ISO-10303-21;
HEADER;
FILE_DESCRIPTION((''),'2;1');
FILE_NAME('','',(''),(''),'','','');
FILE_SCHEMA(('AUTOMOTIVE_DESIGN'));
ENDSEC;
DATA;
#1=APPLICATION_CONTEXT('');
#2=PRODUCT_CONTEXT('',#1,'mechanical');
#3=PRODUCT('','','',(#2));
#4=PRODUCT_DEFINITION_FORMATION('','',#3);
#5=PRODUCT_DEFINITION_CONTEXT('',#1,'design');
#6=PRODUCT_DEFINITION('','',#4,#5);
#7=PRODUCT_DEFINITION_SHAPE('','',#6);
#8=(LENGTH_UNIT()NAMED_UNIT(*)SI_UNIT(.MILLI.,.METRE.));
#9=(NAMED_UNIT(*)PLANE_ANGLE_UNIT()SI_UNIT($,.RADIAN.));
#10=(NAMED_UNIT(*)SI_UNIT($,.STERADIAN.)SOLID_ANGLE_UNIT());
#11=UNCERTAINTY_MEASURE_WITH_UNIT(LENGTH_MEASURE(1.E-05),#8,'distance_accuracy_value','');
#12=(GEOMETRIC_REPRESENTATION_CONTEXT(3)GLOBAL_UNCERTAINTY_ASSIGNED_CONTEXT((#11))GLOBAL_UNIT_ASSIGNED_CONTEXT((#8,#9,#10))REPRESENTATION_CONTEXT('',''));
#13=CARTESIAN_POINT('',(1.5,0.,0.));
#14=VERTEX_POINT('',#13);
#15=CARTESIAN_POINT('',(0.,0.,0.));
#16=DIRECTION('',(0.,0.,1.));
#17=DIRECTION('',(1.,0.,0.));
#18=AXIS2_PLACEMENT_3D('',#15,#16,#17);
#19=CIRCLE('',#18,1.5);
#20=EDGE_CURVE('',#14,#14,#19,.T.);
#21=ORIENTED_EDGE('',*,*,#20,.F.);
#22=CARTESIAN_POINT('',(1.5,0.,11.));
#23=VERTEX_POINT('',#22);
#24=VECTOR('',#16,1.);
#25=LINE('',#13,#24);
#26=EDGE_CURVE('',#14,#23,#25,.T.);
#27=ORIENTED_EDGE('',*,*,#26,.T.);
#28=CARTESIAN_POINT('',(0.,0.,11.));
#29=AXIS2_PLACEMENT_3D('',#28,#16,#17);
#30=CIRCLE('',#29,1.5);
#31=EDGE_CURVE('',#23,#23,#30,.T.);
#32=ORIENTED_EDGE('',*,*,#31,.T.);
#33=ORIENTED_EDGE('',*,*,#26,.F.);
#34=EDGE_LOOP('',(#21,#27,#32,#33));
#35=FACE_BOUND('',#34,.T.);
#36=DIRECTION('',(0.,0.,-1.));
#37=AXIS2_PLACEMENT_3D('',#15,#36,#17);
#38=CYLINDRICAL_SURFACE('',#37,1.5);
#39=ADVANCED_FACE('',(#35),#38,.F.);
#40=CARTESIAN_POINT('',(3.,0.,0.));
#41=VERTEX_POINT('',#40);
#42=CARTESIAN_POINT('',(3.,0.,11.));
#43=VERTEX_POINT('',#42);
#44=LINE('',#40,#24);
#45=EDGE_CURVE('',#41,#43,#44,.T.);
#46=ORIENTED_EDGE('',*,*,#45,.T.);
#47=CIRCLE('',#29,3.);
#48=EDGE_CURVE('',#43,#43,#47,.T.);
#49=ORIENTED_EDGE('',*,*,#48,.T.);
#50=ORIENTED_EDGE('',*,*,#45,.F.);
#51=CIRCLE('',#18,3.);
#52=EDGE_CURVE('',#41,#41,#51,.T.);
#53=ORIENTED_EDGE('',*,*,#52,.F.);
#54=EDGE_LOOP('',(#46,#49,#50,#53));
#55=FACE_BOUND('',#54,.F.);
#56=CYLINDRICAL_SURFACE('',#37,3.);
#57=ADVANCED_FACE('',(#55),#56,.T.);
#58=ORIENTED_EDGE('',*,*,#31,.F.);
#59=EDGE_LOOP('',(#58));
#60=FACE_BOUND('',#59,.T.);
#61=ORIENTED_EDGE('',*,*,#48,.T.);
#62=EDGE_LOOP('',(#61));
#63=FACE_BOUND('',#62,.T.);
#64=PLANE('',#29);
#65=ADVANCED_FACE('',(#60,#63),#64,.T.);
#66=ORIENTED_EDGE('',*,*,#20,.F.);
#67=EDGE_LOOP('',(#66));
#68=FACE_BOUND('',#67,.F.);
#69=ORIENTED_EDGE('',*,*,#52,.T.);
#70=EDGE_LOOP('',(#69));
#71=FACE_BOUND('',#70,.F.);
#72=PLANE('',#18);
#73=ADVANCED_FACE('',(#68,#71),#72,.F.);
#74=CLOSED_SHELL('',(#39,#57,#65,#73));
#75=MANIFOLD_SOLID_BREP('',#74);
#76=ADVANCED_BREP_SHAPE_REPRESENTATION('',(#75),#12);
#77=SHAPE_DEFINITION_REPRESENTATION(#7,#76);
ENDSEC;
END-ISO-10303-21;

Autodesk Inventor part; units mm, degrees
ref_plane "YZ Plane" through (0, 0, 0) normal (1, 0, 0) x (0, 1, 0)
ref_plane "XZ Plane" through (0, 0, 0) normal (0, 1, 0) x (-1, 0, 0)
ref_plane "XY Plane" through (0, 0, 0) normal (0, 0, 1) x (1, 0, 0)
sketch "スケッチ1" plane through (0, 0, 0) normal (0, 0, 1) x (1, 0, 0)
  circle A0 centre (0, 0) radius 3
  circle A1 centre (0, 0) radius 1.5
  dimension "d0" = 6
  dimension "d1" = 3
extrude "押し出し1" add sketch "スケッチ1" along normal blind 11
properties part number "スペーサーm3.11" material "アルミニウム 7075"
